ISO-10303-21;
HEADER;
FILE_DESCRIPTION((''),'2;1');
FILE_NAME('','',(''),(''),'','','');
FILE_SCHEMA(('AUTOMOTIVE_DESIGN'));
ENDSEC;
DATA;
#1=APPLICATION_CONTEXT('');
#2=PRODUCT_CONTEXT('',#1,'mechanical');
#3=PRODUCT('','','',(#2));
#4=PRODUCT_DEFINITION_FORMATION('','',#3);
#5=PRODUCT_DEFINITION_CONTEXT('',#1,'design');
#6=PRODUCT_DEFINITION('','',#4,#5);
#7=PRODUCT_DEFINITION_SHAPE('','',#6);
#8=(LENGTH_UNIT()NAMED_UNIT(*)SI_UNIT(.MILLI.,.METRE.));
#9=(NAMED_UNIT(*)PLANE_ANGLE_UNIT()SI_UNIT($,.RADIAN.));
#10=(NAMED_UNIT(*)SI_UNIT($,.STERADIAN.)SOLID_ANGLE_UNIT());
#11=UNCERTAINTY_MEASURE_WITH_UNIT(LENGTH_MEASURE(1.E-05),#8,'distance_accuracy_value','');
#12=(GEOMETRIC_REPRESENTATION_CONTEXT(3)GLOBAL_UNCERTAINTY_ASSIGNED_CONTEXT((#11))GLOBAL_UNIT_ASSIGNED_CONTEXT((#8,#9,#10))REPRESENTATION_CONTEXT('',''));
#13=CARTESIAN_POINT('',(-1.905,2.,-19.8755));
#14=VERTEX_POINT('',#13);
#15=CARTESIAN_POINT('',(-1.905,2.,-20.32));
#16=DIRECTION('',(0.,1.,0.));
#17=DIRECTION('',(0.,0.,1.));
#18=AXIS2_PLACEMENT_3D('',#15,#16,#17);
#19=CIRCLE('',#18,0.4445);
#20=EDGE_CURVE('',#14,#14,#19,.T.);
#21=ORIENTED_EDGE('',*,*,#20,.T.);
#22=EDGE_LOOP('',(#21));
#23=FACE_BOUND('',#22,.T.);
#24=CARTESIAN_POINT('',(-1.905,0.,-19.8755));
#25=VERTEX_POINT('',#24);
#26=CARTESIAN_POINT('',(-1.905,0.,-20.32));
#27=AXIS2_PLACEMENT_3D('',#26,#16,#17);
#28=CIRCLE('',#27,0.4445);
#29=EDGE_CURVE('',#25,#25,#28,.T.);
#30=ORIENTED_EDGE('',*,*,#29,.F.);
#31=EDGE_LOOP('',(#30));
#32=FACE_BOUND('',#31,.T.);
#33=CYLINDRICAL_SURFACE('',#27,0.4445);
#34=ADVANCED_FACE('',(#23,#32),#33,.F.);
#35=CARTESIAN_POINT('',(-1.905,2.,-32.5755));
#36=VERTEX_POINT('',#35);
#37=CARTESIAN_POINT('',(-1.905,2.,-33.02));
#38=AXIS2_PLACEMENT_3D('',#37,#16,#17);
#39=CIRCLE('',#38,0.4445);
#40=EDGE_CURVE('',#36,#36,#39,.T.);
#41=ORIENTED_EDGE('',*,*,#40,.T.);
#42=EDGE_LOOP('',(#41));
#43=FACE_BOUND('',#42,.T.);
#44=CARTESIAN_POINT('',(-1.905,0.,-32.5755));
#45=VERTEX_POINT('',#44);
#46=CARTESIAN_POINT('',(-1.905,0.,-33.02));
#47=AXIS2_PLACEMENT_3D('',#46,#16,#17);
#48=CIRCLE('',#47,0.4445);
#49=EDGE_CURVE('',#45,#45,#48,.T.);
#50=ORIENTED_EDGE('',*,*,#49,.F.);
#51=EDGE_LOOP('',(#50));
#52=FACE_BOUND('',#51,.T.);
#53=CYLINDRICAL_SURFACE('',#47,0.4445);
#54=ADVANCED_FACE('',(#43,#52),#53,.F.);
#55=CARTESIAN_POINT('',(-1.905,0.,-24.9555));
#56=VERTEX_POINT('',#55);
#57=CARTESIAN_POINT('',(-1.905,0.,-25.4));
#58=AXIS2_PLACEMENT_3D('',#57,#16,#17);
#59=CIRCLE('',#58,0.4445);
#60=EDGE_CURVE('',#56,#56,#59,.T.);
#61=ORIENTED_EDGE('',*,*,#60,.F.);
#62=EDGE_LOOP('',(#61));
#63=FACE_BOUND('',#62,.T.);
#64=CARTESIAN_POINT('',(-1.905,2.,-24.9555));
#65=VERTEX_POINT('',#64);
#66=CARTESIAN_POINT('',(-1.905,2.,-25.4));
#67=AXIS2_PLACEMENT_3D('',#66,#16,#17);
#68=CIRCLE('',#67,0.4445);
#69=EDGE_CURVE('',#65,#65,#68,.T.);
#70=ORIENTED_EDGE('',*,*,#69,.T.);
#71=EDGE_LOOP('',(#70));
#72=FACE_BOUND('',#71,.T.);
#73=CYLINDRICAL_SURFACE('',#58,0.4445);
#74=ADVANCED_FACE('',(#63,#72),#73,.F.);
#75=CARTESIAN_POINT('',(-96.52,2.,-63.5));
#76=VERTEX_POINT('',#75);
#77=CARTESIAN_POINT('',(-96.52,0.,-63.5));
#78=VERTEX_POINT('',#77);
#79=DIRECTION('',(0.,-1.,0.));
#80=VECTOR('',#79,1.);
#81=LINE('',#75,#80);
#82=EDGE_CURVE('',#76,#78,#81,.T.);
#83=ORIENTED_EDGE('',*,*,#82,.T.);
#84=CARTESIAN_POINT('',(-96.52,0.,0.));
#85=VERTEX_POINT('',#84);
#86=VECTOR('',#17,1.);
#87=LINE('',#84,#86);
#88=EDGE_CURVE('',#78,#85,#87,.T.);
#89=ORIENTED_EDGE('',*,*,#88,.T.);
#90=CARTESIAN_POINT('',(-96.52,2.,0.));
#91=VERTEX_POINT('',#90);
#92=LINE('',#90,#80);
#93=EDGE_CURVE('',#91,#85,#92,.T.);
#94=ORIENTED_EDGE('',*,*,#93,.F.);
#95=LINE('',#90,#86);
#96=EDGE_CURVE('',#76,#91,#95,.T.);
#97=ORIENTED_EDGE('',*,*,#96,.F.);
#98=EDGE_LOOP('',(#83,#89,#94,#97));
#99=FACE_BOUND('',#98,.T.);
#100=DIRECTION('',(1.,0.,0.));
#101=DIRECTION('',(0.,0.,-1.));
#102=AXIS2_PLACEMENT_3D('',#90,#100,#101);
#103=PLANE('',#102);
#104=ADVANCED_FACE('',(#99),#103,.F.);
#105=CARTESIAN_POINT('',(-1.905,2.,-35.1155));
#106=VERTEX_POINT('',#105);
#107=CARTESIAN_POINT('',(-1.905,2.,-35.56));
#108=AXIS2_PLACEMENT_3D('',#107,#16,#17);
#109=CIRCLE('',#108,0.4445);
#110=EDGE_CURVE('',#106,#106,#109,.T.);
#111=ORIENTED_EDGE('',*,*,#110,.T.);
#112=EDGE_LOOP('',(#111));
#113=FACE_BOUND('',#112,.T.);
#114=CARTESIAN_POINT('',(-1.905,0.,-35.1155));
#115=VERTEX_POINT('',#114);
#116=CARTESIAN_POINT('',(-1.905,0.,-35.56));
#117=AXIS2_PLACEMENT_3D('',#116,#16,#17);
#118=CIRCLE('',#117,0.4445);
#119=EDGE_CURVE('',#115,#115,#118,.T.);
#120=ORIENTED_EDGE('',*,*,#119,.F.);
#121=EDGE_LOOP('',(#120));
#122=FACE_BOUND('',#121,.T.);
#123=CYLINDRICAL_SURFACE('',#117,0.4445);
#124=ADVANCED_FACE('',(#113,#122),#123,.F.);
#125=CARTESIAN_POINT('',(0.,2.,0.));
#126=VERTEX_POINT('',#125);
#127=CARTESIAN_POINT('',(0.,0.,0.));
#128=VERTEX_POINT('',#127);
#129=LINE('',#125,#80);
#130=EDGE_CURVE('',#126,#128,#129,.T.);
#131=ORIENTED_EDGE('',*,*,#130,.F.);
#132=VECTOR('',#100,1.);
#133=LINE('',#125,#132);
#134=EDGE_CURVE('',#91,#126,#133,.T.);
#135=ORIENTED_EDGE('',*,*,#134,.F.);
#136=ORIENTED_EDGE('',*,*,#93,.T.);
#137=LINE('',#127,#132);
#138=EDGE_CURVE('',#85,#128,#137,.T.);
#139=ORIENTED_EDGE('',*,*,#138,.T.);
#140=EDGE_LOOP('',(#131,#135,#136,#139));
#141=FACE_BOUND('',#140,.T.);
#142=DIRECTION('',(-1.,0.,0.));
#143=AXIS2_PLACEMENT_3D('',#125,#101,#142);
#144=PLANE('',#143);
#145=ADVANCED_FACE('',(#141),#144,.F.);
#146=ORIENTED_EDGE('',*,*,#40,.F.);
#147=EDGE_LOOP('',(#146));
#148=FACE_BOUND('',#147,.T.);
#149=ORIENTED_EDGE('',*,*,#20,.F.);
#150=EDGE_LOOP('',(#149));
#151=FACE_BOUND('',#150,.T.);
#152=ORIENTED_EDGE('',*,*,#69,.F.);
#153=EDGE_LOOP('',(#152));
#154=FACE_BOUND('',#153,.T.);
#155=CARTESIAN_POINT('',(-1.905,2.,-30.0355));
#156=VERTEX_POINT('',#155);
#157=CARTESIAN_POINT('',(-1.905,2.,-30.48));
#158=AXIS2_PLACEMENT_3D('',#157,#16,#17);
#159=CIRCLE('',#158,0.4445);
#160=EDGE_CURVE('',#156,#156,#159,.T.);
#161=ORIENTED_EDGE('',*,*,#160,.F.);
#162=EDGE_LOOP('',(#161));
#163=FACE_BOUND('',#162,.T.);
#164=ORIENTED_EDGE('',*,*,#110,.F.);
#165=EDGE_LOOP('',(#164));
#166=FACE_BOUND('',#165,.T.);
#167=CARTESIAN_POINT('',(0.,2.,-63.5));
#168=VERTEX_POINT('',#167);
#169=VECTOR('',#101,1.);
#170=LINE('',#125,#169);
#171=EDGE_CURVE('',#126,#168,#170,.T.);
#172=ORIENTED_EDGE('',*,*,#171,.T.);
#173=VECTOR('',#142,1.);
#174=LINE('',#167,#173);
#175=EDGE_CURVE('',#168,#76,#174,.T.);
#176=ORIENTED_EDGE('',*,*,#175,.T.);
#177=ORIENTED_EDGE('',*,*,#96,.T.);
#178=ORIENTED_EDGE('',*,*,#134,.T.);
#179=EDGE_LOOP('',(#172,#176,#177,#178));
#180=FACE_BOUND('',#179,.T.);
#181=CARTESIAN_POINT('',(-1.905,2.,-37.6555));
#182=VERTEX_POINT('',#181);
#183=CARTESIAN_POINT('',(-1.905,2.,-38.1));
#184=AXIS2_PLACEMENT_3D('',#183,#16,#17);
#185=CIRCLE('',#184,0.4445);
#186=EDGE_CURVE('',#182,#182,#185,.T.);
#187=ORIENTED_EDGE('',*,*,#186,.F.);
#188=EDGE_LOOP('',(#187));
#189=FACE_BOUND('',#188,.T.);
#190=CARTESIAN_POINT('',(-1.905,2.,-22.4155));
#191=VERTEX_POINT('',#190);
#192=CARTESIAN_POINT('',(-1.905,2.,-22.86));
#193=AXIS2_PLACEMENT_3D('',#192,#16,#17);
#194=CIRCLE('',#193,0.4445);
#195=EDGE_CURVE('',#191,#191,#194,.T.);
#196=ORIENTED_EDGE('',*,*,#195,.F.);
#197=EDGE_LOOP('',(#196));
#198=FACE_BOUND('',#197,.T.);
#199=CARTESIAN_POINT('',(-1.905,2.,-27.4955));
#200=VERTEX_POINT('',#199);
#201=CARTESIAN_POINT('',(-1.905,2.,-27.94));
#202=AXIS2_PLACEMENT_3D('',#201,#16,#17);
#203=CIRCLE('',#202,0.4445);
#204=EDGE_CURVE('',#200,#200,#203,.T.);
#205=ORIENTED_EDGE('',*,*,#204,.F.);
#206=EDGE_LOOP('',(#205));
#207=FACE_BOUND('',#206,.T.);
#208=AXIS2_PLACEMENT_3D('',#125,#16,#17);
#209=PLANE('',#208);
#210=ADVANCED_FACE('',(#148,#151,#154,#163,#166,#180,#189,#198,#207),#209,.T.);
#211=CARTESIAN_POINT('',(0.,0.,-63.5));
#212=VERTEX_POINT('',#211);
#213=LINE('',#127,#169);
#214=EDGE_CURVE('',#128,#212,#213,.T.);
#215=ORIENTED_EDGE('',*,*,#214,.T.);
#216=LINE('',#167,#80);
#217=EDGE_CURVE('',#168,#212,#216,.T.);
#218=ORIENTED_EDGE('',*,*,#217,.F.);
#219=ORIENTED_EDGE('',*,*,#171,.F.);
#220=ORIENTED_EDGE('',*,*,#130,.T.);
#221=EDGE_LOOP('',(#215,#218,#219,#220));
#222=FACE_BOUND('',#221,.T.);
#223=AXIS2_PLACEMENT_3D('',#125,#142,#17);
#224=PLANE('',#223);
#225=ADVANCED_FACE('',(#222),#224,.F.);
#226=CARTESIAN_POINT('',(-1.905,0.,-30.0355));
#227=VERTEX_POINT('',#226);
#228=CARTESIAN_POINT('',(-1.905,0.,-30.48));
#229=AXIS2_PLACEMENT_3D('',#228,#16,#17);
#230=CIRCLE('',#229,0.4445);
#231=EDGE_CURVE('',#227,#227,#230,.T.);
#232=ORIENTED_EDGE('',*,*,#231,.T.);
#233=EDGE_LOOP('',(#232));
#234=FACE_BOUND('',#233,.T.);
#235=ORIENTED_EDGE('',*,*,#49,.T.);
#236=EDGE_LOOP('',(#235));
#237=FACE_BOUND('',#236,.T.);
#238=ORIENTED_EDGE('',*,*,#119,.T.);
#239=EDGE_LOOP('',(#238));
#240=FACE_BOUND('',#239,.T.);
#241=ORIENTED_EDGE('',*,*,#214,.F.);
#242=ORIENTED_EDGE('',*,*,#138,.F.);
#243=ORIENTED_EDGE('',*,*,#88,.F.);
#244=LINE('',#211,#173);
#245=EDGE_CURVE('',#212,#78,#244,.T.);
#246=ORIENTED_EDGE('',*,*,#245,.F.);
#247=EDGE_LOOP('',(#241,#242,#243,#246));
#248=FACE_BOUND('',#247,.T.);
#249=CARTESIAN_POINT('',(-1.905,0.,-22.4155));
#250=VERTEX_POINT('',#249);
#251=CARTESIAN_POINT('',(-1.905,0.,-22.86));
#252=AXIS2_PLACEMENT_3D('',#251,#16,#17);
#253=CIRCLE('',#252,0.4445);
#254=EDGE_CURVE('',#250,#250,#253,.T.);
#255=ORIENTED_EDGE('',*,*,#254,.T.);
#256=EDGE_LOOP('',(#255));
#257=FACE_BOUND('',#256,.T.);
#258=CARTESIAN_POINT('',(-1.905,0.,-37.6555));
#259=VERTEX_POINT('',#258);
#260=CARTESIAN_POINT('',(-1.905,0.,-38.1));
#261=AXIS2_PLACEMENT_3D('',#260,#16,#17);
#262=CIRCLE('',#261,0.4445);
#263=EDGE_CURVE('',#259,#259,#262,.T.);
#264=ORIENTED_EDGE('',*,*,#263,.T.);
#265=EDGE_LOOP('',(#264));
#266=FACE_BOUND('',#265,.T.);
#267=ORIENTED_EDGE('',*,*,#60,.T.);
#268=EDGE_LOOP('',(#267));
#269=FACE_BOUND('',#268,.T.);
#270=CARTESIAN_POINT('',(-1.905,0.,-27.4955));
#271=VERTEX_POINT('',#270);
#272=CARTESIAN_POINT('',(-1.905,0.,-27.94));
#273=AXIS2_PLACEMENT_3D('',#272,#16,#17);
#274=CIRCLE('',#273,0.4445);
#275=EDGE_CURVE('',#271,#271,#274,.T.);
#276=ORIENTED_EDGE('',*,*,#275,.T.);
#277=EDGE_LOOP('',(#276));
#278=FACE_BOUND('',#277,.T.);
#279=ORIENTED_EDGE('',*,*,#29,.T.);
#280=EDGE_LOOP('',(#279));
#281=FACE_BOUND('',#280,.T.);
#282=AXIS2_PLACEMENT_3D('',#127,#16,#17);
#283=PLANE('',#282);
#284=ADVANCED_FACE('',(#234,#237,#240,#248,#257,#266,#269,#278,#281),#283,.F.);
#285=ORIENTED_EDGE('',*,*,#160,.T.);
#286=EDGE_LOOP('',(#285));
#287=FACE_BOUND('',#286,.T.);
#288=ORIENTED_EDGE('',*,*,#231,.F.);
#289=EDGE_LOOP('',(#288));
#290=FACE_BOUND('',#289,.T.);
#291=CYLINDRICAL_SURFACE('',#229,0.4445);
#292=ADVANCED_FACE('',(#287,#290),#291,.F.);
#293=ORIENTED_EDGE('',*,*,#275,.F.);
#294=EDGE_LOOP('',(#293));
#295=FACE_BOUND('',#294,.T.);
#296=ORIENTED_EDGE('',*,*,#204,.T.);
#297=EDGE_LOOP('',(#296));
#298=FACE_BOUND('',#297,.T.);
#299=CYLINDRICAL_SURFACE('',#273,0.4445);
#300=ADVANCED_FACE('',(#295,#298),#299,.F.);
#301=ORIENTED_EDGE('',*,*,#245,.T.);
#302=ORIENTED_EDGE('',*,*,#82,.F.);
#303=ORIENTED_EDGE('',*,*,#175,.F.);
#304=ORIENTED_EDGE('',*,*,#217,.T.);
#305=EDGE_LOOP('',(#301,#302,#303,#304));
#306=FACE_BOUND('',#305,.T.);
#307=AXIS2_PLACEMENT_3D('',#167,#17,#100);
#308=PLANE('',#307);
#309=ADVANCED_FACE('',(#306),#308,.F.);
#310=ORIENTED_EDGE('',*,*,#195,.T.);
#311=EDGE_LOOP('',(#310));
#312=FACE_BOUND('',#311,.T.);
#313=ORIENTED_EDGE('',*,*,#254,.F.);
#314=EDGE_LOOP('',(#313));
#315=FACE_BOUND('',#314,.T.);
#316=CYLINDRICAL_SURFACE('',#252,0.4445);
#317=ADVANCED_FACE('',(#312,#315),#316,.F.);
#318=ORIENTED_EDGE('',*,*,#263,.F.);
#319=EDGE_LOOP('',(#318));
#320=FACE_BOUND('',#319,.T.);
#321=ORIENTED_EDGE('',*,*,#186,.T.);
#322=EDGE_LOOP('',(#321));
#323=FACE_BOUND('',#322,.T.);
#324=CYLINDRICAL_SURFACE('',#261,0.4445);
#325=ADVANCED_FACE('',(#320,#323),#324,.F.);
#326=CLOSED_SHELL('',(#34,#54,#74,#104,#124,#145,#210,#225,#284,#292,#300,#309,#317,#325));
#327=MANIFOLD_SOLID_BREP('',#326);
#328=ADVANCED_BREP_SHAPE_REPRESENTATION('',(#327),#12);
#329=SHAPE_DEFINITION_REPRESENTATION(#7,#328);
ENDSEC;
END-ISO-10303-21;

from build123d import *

# Parameters (mm, degrees)
SKETCH1_W           = 96.52
SKETCH1_H           = 63.5
BOSS_EXTRUDE1_DEPTH = 2
SKETCH2_R           = 0.4445
CUT_EXTRUDE1_DEPTH  = 116.552414081


with BuildPart() as part:
    # Sketch1 → Boss-Extrude1 (new body)
    with BuildSketch(Plane(origin=(0, 0, 0), x_dir=(1, 0, 0), z_dir=(0, 1, 0))):
        with Locations((-48.26, 31.75)):
            Rectangle(SKETCH1_W, SKETCH1_H)
    extrude(amount=BOSS_EXTRUDE1_DEPTH)

    # Sketch2 → Cut-Extrude1 (cut, through all)
    with BuildSketch(Plane(origin=(0, 2, 0), x_dir=(1, 0, 0), z_dir=(0, 1, 0))):
        with Locations(Location((-1.905, 38.1, 0), (0, 0, 270))):
            Circle(SKETCH2_R)
        with Locations(Location((-1.905, 35.56, 0), (0, 0, 270))):
            Circle(SKETCH2_R)
        with Locations(Location((-1.905, 33.02, 0), (0, 0, 270))):
            Circle(SKETCH2_R)
        with Locations(Location((-1.905, 30.48, 0), (0, 0, 270))):
            Circle(SKETCH2_R)
        with Locations(Location((-1.905, 27.94, 0), (0, 0, 270))):
            Circle(SKETCH2_R)
        with Locations(Location((-1.905, 25.4, 0), (0, 0, 270))):
            Circle(SKETCH2_R)
        with Locations(Location((-1.905, 22.86, 0), (0, 0, 270))):
            Circle(SKETCH2_R)
        with Locations(Location((-1.905, 20.32, 0), (0, 0, 270))):
            Circle(SKETCH2_R)
    extrude(amount=-CUT_EXTRUDE1_DEPTH, mode=Mode.SUBTRACT)


solid = part.part
